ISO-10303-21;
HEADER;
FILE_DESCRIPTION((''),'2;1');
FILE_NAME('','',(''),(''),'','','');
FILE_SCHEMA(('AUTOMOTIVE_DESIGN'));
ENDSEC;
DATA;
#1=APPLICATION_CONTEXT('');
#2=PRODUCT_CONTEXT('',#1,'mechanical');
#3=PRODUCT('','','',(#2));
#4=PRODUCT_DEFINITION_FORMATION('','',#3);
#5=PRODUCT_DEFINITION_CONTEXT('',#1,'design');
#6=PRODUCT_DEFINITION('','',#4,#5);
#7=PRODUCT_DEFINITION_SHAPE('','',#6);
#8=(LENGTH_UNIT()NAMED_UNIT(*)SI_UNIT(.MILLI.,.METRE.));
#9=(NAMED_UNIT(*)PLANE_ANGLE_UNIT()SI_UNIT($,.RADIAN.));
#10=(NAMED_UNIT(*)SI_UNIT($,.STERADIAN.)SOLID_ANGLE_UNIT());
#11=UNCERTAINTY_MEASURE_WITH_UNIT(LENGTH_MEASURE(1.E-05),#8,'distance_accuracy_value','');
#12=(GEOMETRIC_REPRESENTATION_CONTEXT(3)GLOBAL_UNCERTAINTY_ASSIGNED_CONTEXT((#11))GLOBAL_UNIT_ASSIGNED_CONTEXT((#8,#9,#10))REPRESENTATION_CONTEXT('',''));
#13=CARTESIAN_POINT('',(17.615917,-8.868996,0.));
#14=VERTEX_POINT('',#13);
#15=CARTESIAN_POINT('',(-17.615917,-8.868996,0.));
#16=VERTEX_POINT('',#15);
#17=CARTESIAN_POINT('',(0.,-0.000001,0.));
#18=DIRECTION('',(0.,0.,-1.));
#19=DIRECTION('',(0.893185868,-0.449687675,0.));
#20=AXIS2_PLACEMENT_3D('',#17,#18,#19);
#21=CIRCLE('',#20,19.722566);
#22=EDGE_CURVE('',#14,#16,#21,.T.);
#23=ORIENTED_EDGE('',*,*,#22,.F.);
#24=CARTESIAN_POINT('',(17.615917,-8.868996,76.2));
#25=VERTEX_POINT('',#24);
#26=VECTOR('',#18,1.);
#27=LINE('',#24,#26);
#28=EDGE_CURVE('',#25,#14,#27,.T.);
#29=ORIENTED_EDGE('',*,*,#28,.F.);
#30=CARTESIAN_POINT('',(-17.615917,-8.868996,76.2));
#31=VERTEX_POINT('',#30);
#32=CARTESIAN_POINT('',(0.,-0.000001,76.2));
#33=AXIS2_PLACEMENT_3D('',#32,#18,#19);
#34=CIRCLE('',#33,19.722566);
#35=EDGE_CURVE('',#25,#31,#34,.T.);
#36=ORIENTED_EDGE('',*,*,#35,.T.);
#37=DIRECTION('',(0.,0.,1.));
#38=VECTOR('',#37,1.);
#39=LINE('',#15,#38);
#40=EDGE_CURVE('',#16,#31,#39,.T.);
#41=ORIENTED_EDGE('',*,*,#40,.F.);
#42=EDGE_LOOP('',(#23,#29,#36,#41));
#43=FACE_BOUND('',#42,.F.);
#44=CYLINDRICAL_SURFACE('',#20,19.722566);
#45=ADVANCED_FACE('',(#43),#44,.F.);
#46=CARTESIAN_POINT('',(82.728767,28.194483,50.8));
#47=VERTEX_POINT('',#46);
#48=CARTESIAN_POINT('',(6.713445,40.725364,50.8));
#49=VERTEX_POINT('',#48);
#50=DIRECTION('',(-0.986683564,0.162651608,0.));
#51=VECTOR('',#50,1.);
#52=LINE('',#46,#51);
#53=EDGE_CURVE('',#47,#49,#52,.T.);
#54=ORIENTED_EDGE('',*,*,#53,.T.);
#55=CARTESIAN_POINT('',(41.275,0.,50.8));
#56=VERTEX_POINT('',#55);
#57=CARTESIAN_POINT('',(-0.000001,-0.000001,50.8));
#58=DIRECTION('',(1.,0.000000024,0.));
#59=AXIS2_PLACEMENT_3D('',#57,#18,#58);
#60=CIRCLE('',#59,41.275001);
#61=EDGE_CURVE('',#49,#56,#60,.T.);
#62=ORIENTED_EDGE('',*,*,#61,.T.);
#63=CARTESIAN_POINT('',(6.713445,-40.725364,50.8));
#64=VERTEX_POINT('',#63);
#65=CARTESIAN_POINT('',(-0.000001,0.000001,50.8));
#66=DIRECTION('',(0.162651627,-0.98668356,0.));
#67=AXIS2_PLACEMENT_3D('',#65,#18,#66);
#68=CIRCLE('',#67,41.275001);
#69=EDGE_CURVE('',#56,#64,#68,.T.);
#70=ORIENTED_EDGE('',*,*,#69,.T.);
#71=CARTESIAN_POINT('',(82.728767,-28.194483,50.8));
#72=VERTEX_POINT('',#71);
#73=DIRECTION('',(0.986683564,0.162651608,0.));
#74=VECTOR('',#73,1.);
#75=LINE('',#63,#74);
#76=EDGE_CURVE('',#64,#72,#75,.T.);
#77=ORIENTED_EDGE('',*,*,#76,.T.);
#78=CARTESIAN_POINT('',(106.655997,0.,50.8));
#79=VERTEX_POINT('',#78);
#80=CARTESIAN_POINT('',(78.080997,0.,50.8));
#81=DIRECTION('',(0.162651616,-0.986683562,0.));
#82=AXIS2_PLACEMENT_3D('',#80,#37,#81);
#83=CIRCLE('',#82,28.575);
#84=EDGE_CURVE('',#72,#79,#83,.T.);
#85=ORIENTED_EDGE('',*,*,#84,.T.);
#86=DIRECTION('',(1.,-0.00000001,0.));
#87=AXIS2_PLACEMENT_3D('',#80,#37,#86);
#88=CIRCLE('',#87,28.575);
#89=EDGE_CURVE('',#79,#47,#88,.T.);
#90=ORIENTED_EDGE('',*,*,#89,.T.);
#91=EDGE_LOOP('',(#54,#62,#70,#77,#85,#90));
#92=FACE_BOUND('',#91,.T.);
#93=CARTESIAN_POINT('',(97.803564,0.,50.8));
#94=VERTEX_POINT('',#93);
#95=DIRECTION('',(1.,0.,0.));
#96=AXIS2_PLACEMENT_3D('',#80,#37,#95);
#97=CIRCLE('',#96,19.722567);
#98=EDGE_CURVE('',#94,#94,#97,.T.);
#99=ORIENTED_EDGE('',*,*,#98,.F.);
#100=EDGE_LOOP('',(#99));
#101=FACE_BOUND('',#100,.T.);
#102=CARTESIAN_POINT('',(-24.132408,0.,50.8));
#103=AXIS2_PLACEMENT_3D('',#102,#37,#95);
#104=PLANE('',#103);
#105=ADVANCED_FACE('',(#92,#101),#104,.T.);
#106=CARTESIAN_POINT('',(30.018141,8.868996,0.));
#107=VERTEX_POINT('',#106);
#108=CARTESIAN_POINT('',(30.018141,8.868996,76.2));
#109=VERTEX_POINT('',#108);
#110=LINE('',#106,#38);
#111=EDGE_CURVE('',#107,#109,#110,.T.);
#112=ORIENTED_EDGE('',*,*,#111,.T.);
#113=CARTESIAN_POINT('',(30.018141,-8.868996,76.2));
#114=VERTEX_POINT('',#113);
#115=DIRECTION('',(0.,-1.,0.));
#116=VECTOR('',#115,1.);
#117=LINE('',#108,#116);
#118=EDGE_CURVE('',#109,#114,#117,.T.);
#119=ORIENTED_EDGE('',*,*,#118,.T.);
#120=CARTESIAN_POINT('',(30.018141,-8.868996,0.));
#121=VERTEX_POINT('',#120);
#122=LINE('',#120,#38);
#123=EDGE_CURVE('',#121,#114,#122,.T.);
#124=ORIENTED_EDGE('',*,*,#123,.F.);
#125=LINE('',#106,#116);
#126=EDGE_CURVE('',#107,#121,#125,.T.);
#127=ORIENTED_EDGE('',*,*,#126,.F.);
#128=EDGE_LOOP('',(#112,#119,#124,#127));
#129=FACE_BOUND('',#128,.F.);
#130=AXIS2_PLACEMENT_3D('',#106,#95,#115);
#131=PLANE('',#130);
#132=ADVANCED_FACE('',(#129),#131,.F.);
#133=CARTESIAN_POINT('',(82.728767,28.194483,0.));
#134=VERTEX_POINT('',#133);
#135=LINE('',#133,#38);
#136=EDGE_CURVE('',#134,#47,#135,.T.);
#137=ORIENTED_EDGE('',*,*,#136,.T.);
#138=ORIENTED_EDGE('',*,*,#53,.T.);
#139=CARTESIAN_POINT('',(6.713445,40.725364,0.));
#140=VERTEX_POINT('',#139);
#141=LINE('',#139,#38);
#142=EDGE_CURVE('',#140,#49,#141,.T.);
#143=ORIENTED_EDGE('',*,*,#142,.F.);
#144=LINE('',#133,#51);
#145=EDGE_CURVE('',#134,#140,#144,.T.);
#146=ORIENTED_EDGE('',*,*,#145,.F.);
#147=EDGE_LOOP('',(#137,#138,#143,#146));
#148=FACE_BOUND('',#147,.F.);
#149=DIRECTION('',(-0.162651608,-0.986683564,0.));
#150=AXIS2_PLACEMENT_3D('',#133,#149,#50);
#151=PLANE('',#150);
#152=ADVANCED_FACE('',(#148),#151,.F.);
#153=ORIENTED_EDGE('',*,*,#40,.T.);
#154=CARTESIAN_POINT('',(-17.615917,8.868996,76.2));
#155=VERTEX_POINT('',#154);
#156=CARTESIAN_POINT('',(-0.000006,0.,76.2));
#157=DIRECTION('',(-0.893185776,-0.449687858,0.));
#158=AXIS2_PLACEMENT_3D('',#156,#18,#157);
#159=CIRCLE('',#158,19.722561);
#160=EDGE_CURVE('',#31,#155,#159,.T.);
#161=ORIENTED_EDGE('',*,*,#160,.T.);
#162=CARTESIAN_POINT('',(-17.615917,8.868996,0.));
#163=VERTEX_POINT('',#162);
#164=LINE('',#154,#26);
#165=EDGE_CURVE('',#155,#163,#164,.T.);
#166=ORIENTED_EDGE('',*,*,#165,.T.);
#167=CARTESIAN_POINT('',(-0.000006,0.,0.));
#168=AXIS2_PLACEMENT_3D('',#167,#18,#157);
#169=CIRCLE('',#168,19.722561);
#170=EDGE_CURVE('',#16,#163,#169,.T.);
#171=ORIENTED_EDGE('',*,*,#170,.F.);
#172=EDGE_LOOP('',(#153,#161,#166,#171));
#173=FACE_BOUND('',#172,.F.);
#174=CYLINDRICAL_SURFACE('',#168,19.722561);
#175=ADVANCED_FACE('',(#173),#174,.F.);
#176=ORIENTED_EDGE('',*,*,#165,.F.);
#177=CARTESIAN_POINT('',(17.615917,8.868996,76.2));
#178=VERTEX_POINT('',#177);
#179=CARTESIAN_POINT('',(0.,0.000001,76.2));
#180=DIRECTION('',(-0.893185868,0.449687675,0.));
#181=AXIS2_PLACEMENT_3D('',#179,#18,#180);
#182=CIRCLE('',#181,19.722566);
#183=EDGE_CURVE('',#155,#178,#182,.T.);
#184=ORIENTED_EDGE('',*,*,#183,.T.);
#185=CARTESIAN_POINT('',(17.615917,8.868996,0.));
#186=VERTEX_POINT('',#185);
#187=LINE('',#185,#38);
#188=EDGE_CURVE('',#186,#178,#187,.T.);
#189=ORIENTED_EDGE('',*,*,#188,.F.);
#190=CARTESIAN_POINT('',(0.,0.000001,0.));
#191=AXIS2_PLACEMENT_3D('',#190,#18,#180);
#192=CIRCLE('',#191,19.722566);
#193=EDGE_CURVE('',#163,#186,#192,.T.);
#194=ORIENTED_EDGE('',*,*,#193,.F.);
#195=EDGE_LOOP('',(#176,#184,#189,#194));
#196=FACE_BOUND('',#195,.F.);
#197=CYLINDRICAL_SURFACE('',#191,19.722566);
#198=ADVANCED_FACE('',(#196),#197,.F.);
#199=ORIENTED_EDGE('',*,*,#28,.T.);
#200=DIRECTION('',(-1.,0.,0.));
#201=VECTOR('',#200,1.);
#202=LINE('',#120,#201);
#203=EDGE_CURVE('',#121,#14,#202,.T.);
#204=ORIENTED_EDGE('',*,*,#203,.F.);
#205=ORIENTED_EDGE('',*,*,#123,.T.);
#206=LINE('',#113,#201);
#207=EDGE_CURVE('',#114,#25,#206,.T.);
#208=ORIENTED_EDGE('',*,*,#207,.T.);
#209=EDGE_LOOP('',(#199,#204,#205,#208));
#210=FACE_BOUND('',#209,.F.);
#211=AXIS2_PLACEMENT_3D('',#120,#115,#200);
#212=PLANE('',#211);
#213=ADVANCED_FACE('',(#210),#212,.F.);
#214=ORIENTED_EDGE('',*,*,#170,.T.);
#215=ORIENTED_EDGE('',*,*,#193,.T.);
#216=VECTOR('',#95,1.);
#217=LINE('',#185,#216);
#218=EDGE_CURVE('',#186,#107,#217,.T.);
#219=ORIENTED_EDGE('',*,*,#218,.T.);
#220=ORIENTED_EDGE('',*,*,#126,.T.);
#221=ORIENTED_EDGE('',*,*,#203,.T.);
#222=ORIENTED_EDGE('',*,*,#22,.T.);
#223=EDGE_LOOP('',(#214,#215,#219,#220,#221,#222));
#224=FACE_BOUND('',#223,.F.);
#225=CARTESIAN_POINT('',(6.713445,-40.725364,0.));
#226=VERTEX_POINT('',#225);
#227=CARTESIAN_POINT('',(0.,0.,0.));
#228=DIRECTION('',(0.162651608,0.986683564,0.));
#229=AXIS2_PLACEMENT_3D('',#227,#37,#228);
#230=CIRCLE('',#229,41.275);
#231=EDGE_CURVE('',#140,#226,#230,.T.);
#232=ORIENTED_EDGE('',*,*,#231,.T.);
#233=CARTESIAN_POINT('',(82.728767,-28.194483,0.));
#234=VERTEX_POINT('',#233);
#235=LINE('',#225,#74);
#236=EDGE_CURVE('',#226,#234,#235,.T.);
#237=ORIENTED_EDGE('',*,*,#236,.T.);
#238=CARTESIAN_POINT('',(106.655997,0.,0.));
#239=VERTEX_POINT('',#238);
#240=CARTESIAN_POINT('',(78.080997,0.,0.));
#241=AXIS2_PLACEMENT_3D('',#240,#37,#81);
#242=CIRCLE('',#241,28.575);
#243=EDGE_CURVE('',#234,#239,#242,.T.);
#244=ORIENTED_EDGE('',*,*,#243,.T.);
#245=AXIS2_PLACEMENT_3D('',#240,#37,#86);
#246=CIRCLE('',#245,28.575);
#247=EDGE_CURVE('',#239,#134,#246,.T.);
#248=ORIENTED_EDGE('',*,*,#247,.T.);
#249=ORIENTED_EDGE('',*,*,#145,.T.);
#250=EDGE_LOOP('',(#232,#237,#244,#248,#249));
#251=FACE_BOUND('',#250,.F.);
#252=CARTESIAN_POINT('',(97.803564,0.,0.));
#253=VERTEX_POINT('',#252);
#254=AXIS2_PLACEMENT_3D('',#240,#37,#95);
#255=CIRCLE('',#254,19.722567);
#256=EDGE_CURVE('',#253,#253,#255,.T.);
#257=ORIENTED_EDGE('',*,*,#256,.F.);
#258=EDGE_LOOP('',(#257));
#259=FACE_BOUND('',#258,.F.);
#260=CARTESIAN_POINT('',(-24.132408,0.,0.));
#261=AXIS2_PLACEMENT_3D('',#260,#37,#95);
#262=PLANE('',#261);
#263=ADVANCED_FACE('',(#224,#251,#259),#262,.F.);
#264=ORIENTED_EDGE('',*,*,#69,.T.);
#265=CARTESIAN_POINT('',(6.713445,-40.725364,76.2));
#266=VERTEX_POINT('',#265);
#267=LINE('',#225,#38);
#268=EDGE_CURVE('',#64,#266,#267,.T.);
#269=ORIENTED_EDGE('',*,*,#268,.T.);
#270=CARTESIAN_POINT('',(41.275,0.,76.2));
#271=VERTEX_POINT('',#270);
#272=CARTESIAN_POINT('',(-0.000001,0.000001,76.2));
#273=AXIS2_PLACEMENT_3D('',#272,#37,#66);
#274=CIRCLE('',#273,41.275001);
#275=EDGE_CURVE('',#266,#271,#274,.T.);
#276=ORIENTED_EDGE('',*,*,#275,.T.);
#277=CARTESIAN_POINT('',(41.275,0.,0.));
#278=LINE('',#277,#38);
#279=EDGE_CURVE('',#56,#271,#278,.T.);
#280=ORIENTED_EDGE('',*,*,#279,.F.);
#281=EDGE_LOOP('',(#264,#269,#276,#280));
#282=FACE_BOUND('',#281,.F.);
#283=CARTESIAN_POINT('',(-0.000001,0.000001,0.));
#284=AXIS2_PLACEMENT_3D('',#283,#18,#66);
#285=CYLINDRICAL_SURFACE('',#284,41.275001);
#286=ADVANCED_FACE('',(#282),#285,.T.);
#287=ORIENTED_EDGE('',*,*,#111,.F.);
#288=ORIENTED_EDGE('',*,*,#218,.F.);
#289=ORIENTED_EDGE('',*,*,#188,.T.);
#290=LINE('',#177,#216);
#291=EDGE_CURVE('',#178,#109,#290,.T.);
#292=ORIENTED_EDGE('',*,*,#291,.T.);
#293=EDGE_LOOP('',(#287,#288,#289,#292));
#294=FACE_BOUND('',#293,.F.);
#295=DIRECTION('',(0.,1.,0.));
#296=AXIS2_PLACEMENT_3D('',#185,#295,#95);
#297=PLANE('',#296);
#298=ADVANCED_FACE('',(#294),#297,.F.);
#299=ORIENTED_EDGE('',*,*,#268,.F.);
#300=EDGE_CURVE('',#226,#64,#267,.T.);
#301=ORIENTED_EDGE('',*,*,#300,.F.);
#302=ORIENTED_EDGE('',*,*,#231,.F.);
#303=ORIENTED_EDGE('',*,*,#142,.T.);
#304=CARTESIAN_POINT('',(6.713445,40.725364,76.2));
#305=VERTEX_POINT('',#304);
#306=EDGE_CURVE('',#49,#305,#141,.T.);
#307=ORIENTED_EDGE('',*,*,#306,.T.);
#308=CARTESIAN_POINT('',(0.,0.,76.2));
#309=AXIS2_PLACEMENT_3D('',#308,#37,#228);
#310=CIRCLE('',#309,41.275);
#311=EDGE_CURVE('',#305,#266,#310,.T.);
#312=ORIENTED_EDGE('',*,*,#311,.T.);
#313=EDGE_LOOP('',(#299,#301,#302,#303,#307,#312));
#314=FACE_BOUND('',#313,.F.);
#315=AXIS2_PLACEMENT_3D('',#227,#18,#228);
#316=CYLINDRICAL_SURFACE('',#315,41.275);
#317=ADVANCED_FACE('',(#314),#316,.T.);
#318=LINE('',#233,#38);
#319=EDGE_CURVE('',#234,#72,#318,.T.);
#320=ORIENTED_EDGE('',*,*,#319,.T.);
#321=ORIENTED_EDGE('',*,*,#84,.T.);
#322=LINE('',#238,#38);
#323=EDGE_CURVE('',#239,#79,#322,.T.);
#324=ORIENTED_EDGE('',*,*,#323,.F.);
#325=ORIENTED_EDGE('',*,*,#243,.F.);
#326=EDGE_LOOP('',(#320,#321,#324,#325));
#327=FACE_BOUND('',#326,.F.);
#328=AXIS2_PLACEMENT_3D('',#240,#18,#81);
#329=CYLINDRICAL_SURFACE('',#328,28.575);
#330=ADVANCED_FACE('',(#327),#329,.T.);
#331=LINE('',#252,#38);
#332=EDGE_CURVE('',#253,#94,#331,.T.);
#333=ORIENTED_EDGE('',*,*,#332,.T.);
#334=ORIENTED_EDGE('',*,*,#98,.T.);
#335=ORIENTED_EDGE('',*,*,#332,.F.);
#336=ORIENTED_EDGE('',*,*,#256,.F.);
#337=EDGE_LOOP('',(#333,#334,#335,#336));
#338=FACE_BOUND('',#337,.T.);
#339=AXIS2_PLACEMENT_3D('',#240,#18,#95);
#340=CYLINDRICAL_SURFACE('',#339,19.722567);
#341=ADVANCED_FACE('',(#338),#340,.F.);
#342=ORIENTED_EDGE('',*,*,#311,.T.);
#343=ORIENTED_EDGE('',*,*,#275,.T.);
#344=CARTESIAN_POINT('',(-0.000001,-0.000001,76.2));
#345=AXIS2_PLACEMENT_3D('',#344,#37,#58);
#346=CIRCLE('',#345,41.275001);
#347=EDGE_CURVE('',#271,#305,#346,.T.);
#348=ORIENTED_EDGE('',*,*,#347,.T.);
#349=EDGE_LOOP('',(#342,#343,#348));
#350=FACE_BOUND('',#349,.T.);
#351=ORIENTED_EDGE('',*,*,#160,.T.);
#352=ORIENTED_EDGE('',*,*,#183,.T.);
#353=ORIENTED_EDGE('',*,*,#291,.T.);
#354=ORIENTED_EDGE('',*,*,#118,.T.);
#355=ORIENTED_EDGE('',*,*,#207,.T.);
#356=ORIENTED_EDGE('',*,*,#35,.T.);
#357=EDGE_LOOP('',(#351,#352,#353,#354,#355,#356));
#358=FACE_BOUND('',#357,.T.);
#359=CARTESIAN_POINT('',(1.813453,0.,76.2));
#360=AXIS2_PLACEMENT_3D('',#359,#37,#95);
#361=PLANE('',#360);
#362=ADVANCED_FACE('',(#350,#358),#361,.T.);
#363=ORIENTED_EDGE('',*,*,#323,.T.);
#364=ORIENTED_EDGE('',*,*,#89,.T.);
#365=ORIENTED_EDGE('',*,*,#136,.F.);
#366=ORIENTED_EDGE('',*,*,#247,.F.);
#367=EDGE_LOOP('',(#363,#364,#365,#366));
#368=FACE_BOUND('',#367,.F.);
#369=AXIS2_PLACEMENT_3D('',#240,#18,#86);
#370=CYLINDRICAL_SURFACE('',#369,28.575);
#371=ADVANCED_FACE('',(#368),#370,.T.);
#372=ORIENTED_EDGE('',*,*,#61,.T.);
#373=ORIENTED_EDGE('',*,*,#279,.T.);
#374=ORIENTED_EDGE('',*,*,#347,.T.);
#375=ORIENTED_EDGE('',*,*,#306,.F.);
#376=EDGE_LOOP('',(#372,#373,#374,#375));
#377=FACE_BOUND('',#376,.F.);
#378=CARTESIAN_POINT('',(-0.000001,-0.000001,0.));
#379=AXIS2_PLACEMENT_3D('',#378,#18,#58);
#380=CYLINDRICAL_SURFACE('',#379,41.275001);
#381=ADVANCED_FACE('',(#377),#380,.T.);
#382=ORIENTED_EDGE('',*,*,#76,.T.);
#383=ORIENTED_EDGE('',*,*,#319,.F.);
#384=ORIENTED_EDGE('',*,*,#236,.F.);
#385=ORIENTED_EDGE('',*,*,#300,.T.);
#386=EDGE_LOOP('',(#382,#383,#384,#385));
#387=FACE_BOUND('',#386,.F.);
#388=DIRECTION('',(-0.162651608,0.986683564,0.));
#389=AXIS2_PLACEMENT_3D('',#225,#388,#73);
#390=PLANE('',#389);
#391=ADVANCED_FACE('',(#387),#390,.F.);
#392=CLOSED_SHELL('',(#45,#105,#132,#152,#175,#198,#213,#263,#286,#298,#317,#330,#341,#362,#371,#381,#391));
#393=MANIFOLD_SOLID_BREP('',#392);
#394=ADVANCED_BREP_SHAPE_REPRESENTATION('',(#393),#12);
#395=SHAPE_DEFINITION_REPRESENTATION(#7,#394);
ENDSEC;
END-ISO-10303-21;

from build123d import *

# Parameters (mm, degrees)
F0_R     = 19.722567
F1_DEPTH = 50.8
F2_DEPTH = 76.2


with BuildPart() as f1:
    # F0 (on Top) → F1 (new body)
    with BuildSketch(Plane.XY):
        with BuildLine():
            ThreePointArc((-17.615917, -8.868996), (-19.722567, 0), (-17.615917, 8.868996))
            Line((-17.615917, 8.868996), (-30.018141, 8.868996))
            Line((-30.018141, 8.868996), (-30.018141, -8.868996))
            Line((-30.018141, -8.868996), (-17.615917, -8.868996))
        make_face()
        with BuildLine():
            ThreePointArc((6.713445, -40.725364), (31.47001, -26.707004), (41.275, 0))
            ThreePointArc((41.275, 0), (31.47001, 26.707004), (6.713445, 40.725364))
            ThreePointArc((6.713445, 40.725364), (-41.275, 0), (6.713445, -40.725364))
        make_face()
        with BuildLine():
            ThreePointArc((-17.615917, 8.868996), (0, 19.722567), (17.615917, 8.868996))
            Line((17.615917, 8.868996), (30.018141, 8.868996))
            Line((30.018141, 8.868996), (30.018141, -8.868996))
            Line((30.018141, -8.868996), (17.615917, -8.868996))
            ThreePointArc((17.615917, -8.868996), (0, -19.722567), (-17.615917, -8.868996))
            Line((-17.615917, -8.868996), (-30.018141, -8.868996))
            Line((-30.018141, -8.868996), (-30.018141, 8.868996))
            Line((-30.018141, 8.868996), (-17.615917, 8.868996))
        make_face(mode=Mode.SUBTRACT)
        with BuildLine():
            ThreePointArc((6.713445, 40.725364), (31.47001, 26.707004), (41.275, 0))
            ThreePointArc((41.275, 0), (31.47001, -26.707004), (6.713445, -40.725364))
            Line((6.713445, -40.725364), (82.728767, -28.194483))
            ThreePointArc((82.728767, -28.194483), (49.505997, 0), (82.728767, 28.194483))
            Line((82.728767, 28.194483), (6.713445, 40.725364))
        make_face()
        with BuildLine():
            ThreePointArc((106.655997, 0), (99.867927, 18.489465), (82.728767, 28.194483))
            ThreePointArc((82.728767, 28.194483), (49.505997, 0), (82.728767, -28.194483))
            ThreePointArc((82.728767, -28.194483), (99.867927, -18.489465), (106.655997, 0))
        make_face()
        with Locations((78.080997, 0)):
            Circle(F0_R, mode=Mode.SUBTRACT)
    extrude(amount=F1_DEPTH)

    # F0 (on Top) → F2 (join)
    with BuildSketch(Plane.XY):
        with BuildLine():
            ThreePointArc((6.713445, -40.725364), (31.47001, -26.707004), (41.275, 0))
            ThreePointArc((41.275, 0), (31.47001, 26.707004), (6.713445, 40.725364))
            ThreePointArc((6.713445, 40.725364), (-41.275, 0), (6.713445, -40.725364))
        make_face()
        with BuildLine():
            ThreePointArc((-17.615917, 8.868996), (0, 19.722567), (17.615917, 8.868996))
            Line((17.615917, 8.868996), (30.018141, 8.868996))
            Line((30.018141, 8.868996), (30.018141, -8.868996))
            Line((30.018141, -8.868996), (17.615917, -8.868996))
            ThreePointArc((17.615917, -8.868996), (0, -19.722567), (-17.615917, -8.868996))
            Line((-17.615917, -8.868996), (-30.018141, -8.868996))
            Line((-30.018141, -8.868996), (-30.018141, 8.868996))
            Line((-30.018141, 8.868996), (-17.615917, 8.868996))
        make_face(mode=Mode.SUBTRACT)
        with BuildLine():
            ThreePointArc((-17.615917, -8.868996), (-19.722567, 0), (-17.615917, 8.868996))
            Line((-17.615917, 8.868996), (-30.018141, 8.868996))
            Line((-30.018141, 8.868996), (-30.018141, -8.868996))
            Line((-30.018141, -8.868996), (-17.615917, -8.868996))
        make_face()
    extrude(amount=F2_DEPTH)


solid = f1.part
